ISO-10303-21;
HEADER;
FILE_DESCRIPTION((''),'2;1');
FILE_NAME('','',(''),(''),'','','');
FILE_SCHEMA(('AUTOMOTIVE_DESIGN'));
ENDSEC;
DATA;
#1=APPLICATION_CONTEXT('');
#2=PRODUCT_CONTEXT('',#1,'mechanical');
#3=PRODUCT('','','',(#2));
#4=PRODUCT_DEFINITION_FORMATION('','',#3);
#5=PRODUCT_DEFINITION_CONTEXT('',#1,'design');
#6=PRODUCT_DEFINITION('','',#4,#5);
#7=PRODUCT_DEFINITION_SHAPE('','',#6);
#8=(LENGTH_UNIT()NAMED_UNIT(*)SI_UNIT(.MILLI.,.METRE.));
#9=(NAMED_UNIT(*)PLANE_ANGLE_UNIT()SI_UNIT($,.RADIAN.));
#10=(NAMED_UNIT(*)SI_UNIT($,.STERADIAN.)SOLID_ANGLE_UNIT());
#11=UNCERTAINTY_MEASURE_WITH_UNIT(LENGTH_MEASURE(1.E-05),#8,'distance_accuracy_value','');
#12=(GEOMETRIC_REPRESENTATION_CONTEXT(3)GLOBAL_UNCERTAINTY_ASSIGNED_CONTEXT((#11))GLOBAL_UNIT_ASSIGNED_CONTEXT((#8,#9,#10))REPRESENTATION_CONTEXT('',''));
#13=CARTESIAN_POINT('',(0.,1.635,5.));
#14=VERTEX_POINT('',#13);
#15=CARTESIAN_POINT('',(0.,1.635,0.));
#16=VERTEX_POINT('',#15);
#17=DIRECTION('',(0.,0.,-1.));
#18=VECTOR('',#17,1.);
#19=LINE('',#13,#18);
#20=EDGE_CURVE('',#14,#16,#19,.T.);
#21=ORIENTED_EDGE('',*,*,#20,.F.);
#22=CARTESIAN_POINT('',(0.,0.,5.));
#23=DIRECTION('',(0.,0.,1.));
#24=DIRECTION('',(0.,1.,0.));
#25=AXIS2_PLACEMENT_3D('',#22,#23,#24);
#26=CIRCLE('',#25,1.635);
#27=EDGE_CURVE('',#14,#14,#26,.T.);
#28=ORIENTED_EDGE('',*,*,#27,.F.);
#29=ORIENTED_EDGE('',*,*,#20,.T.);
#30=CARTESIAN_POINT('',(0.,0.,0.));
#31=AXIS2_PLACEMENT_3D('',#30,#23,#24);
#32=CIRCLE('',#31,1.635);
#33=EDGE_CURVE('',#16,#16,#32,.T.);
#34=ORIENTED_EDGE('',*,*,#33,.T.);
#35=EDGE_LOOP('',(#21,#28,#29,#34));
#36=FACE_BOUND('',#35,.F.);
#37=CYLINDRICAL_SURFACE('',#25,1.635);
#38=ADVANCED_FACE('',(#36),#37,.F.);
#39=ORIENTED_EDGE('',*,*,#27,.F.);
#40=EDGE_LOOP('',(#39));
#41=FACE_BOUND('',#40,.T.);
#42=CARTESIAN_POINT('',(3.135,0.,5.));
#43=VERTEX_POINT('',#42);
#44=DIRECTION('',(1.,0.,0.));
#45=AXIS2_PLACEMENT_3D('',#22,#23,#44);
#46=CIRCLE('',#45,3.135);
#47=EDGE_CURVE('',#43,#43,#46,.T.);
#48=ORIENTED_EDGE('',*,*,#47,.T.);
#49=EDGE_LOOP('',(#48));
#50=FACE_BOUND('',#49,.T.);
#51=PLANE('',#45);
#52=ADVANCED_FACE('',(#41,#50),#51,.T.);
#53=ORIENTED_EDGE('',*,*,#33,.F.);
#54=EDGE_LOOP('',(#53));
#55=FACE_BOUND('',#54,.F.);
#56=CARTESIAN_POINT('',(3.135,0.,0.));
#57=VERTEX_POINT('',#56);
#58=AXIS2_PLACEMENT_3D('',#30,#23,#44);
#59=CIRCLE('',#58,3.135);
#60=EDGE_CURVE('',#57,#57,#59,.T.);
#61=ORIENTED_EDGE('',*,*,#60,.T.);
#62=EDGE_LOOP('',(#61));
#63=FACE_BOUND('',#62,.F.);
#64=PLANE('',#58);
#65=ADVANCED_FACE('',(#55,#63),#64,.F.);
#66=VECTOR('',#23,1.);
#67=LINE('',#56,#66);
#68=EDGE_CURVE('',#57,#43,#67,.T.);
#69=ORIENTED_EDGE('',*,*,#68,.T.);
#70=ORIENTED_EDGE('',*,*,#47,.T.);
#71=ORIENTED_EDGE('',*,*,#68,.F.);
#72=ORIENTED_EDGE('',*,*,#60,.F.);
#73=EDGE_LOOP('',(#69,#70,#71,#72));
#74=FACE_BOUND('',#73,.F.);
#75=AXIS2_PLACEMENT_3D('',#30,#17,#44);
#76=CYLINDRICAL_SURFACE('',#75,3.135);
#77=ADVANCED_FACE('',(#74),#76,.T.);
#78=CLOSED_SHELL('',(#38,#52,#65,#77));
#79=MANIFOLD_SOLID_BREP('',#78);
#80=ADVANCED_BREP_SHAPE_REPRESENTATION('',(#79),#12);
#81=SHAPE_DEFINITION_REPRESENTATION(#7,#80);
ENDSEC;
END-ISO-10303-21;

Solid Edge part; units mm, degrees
sketch "Sketch1" plane through (0, 0, 0) normal (0, 0, 1) x (1, 0, 0)
  circle A0 centre (0, 0) radius 3.135
extrude "Protrusion1" add sketch "Sketch1" along normal blind 5
sketch "Sketch2" plane through (0, 0, 5) normal (0, 0, 1) x (0, 1, 0)
  circle A0 centre (0, 0) radius 1.635
extrude "VaciadoExtruido_1" cut sketch "Sketch2" against normal blind 8.0975
properties material "Polipropileno, alto impacto"
